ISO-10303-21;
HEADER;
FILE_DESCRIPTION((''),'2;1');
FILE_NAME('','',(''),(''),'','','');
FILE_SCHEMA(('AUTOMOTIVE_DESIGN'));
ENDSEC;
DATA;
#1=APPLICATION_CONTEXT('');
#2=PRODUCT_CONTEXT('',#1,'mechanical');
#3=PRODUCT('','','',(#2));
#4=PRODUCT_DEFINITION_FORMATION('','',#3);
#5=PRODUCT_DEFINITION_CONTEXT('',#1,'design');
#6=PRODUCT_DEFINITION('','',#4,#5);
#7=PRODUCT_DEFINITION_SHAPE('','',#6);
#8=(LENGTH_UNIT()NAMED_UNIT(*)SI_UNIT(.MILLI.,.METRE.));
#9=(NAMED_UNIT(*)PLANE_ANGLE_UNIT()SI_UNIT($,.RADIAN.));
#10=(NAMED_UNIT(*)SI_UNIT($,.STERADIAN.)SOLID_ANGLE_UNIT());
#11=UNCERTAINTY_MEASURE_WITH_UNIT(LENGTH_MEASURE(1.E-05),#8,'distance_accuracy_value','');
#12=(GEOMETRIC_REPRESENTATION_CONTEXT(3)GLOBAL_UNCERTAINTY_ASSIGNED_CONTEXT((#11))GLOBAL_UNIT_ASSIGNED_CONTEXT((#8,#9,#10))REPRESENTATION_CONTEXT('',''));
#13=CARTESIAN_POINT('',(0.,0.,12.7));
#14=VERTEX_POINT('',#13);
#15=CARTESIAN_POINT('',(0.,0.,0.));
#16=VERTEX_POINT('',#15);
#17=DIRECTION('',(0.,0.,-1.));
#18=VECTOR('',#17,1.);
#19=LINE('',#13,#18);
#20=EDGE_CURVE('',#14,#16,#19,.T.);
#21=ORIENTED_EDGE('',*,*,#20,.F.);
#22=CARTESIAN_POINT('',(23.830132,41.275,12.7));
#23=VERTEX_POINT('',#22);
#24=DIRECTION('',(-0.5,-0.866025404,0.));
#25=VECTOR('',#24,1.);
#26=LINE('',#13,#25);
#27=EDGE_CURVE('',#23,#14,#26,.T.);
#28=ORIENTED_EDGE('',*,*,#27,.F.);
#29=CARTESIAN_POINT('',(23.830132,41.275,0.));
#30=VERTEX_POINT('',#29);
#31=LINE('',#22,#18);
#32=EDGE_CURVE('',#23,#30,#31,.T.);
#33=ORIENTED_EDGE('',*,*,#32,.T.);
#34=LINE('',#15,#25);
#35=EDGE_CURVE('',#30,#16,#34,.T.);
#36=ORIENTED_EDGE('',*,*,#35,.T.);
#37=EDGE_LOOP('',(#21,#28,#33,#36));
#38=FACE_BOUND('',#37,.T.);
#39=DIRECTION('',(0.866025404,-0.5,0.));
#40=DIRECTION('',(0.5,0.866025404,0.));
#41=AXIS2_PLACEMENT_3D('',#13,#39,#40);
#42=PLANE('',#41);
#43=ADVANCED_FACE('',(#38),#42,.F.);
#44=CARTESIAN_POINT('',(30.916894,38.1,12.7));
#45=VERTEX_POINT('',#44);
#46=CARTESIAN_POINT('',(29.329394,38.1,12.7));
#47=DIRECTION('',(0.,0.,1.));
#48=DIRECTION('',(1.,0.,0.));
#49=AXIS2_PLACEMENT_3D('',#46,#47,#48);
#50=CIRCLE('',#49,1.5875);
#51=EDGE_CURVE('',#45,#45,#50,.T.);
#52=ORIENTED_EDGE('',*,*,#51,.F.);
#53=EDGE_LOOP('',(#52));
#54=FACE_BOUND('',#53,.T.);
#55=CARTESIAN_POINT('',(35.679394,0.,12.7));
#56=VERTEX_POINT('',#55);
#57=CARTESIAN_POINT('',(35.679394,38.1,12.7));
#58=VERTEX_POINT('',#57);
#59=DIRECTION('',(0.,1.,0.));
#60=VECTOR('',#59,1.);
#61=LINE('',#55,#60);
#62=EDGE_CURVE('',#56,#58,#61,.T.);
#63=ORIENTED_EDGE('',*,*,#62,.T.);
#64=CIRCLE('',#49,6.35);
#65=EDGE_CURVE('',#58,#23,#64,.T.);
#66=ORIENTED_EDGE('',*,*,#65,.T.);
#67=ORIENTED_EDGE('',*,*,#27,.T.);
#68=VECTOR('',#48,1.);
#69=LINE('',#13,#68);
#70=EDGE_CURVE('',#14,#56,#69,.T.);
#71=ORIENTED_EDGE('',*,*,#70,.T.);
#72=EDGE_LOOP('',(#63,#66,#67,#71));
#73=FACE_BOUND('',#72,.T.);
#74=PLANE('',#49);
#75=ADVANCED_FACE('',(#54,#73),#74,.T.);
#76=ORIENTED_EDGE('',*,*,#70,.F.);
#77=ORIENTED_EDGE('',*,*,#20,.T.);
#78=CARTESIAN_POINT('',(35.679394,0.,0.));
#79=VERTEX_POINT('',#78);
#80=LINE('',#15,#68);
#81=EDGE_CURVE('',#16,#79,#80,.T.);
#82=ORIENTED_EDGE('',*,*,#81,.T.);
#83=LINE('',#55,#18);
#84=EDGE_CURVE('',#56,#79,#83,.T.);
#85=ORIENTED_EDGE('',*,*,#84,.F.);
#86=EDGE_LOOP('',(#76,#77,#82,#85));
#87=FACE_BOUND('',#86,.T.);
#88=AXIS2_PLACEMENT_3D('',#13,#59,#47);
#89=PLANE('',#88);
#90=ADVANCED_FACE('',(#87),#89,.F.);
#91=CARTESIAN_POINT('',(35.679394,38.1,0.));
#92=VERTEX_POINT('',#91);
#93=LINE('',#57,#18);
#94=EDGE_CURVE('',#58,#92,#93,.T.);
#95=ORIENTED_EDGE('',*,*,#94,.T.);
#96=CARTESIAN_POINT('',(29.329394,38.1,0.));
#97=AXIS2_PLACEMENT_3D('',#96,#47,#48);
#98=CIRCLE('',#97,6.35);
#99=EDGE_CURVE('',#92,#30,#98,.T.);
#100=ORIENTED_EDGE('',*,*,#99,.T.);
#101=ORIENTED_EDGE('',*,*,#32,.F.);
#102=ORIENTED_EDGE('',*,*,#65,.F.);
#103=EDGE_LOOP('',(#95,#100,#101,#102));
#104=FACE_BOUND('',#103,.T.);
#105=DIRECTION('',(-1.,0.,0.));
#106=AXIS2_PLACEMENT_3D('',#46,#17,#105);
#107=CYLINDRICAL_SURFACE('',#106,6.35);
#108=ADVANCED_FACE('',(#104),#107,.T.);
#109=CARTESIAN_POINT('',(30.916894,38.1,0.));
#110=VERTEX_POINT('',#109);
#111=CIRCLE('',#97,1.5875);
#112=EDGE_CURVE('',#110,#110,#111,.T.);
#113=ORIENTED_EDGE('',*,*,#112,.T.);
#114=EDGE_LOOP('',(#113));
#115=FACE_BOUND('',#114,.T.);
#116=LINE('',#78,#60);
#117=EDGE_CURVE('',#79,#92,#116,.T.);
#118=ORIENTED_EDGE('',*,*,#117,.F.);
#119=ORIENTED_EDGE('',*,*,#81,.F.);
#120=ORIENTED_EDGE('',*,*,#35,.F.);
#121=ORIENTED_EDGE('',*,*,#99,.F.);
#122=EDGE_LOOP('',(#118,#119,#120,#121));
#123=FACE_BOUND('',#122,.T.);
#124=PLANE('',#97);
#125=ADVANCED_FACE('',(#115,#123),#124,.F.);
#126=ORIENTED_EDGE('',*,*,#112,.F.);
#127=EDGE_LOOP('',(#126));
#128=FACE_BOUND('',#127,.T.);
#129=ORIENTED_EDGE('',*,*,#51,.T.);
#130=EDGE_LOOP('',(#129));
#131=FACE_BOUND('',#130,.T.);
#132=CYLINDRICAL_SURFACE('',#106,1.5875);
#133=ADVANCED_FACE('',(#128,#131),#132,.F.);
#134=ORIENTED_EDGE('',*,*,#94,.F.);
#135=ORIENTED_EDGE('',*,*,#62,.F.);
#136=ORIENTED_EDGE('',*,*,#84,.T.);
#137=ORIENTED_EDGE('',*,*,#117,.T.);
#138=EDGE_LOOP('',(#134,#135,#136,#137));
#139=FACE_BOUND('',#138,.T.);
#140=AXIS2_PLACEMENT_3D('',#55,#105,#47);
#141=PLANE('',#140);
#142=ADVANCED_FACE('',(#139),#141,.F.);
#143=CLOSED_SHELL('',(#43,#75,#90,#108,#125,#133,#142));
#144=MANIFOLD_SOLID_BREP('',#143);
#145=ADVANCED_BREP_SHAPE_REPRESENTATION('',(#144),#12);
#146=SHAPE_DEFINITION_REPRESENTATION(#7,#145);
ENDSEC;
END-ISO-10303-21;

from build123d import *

# Parameters (mm, degrees)
SKETCH1_R           = 1.5875
BOSS_EXTRUDE1_DEPTH = 12.7


with BuildPart() as part:
    # Sketch1 → Boss-Extrude1 (new body)
    with BuildSketch(Plane.XY):
        with BuildLine():
            Line((0, 0), (23.830132361, 41.275))
            ThreePointArc((23.830132361, 41.275), (30.972894611, 44.233628997), (35.679393675, 38.1))
            Line((35.679393675, 38.1), (35.679393675, 0))
            Line((35.679393675, 0), (0, 0))
        make_face()
        with Locations((29.329393675, 38.1)):
            Circle(SKETCH1_R, mode=Mode.SUBTRACT)
    extrude(amount=BOSS_EXTRUDE1_DEPTH)


solid = part.part
